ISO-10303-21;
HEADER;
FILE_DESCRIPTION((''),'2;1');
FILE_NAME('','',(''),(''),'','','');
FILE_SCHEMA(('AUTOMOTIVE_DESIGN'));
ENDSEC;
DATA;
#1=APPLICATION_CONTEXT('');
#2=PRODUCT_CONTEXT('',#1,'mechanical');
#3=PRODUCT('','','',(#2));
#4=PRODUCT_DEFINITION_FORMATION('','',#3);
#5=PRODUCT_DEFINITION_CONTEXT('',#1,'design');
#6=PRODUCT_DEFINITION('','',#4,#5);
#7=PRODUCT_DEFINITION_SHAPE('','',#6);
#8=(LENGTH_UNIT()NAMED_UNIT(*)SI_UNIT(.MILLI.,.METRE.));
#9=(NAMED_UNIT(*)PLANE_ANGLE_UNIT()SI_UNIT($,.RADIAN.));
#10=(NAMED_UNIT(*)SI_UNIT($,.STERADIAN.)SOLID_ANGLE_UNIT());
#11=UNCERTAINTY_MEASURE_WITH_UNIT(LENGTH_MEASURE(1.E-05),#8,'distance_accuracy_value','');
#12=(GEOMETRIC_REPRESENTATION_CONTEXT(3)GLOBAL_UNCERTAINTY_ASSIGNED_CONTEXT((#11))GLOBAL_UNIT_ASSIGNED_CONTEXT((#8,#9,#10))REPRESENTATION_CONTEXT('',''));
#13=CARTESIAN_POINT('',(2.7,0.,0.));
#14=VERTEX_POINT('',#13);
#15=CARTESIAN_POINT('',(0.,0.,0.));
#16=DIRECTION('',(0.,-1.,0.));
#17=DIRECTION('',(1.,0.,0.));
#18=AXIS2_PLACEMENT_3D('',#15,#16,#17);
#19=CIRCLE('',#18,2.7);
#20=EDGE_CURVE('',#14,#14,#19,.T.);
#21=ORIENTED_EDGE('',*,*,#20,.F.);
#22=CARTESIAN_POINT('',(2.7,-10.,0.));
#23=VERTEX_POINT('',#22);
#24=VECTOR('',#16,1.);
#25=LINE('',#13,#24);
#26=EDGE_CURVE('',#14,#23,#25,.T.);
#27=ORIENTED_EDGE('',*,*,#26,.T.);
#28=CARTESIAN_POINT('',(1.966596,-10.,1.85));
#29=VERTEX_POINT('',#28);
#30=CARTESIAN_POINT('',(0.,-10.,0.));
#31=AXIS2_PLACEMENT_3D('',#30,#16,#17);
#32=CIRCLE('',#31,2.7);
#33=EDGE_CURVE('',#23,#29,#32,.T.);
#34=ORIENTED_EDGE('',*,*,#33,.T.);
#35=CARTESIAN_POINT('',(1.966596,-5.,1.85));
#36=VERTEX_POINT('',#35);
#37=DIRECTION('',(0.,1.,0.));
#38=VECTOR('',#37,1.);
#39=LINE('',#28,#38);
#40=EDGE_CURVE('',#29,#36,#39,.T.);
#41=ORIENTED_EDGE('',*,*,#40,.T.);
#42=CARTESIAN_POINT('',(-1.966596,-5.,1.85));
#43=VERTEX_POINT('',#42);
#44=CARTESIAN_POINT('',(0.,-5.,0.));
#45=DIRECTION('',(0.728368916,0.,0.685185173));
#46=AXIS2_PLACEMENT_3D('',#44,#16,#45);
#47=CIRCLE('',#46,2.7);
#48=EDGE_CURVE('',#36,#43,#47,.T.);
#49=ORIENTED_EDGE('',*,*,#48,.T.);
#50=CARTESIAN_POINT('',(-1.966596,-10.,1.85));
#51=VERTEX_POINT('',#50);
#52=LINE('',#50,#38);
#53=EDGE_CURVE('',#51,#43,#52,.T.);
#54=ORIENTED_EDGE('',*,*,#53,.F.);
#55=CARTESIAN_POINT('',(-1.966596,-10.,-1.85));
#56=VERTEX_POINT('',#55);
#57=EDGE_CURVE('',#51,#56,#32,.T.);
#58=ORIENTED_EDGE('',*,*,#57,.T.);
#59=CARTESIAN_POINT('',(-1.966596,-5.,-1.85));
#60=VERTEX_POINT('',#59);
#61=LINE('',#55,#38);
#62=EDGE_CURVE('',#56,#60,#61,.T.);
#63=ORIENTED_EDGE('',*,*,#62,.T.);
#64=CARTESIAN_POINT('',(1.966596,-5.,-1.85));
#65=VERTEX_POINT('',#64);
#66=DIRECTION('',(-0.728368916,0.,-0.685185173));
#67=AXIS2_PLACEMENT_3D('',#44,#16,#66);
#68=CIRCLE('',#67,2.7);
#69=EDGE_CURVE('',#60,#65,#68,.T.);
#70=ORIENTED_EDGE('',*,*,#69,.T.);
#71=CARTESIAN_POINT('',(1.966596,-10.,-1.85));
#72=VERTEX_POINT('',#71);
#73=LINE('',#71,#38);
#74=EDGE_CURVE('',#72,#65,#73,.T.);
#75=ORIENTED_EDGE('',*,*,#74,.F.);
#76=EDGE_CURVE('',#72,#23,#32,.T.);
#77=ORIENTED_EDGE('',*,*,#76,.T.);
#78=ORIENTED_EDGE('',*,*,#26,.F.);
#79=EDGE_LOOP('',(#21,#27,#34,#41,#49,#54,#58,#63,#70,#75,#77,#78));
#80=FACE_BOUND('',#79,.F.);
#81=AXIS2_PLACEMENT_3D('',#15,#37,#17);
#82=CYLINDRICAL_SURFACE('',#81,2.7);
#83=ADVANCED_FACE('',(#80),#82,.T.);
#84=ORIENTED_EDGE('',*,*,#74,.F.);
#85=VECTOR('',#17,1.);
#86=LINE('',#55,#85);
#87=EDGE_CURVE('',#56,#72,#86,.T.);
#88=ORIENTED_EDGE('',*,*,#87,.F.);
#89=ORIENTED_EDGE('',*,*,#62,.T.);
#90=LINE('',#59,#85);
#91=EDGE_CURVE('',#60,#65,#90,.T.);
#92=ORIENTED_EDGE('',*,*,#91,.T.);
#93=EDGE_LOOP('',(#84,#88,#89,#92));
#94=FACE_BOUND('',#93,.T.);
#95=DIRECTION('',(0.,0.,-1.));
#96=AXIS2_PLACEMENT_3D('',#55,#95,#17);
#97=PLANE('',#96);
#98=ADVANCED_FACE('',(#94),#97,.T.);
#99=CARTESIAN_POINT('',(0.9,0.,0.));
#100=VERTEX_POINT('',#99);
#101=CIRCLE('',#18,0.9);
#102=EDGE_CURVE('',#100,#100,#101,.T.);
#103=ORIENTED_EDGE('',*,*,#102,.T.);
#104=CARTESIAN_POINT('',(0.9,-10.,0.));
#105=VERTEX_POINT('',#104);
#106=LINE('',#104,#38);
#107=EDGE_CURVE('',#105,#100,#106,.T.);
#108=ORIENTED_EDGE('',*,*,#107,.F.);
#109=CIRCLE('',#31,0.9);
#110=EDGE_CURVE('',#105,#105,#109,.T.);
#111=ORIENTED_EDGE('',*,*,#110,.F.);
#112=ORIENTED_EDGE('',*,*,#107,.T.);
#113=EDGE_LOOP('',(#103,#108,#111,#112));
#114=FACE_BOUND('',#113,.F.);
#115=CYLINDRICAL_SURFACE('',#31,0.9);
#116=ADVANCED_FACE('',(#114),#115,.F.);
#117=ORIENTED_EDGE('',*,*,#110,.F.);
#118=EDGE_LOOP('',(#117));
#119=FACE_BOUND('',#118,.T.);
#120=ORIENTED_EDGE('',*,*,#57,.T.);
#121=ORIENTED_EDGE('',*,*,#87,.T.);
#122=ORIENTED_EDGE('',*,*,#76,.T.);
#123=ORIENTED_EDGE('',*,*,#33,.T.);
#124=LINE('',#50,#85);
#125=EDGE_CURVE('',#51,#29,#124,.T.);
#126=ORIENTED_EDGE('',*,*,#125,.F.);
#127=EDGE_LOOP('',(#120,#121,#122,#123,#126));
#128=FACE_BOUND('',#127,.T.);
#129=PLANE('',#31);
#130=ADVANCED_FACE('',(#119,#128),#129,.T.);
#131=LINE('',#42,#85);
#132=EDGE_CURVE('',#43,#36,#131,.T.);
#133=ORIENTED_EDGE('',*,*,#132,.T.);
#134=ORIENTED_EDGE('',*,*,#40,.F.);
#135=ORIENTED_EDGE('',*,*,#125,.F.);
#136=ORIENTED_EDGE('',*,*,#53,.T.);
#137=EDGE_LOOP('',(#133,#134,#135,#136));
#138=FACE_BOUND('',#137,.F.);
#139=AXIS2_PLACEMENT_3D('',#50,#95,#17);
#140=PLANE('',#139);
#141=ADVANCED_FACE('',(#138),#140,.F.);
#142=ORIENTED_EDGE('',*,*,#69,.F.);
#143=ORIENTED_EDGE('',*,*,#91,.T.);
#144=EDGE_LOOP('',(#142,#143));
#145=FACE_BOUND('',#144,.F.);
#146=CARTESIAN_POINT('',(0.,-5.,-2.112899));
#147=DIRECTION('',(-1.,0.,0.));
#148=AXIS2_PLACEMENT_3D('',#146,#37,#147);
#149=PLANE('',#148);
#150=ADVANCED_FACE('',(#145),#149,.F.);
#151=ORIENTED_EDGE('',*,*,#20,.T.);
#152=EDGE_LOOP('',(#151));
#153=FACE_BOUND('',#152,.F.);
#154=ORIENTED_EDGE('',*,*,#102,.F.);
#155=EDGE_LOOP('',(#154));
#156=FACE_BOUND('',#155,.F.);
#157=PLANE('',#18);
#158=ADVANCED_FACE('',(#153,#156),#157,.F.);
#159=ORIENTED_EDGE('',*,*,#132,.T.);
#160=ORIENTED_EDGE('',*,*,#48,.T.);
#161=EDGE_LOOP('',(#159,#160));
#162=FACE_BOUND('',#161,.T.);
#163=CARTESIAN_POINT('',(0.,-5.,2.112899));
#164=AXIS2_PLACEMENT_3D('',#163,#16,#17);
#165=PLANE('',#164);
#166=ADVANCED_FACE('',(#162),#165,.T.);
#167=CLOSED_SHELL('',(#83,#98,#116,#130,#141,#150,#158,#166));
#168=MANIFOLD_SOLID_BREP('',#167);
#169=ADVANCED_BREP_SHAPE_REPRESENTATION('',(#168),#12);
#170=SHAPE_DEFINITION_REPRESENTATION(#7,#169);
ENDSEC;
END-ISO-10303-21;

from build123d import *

# Parameters (mm, degrees)
SKETCH_R        = 2.7
PAD_DEPTH       = 10
POCKET_DEPTH    = 5
SKETCH002_R     = 0.9
POCKET001_DEPTH = 10.001


with BuildPart() as part:
    # Sketch → Pad (new body)
    with BuildSketch(Plane.XZ):
        Circle(SKETCH_R)
    extrude(amount=PAD_DEPTH)

    # Sketch001 (on Face3 of Pad) → Pocket (cut)
    with BuildSketch(Plane.XZ.offset(10)):
        with BuildLine():
            Line((-1.966596, 1.85), (1.966596, 1.85))
            ThreePointArc((1.966596, 1.85), (0, 2.7), (-1.966596, 1.85))
        make_face()
        with BuildLine():
            Line((-1.966596, -1.85), (1.966596, -1.85))
            ThreePointArc((-1.966596, -1.85), (0, -2.7), (1.966596, -1.85))
        make_face()
    extrude(amount=-POCKET_DEPTH, mode=Mode.SUBTRACT)

    # Sketch002 (on Face3 of Pocket) → Pocket001 (cut, through all)
    with BuildSketch(Plane.XZ.offset(10)):
        Circle(SKETCH002_R)
    extrude(amount=-POCKET001_DEPTH, mode=Mode.SUBTRACT)


solid = part.part
